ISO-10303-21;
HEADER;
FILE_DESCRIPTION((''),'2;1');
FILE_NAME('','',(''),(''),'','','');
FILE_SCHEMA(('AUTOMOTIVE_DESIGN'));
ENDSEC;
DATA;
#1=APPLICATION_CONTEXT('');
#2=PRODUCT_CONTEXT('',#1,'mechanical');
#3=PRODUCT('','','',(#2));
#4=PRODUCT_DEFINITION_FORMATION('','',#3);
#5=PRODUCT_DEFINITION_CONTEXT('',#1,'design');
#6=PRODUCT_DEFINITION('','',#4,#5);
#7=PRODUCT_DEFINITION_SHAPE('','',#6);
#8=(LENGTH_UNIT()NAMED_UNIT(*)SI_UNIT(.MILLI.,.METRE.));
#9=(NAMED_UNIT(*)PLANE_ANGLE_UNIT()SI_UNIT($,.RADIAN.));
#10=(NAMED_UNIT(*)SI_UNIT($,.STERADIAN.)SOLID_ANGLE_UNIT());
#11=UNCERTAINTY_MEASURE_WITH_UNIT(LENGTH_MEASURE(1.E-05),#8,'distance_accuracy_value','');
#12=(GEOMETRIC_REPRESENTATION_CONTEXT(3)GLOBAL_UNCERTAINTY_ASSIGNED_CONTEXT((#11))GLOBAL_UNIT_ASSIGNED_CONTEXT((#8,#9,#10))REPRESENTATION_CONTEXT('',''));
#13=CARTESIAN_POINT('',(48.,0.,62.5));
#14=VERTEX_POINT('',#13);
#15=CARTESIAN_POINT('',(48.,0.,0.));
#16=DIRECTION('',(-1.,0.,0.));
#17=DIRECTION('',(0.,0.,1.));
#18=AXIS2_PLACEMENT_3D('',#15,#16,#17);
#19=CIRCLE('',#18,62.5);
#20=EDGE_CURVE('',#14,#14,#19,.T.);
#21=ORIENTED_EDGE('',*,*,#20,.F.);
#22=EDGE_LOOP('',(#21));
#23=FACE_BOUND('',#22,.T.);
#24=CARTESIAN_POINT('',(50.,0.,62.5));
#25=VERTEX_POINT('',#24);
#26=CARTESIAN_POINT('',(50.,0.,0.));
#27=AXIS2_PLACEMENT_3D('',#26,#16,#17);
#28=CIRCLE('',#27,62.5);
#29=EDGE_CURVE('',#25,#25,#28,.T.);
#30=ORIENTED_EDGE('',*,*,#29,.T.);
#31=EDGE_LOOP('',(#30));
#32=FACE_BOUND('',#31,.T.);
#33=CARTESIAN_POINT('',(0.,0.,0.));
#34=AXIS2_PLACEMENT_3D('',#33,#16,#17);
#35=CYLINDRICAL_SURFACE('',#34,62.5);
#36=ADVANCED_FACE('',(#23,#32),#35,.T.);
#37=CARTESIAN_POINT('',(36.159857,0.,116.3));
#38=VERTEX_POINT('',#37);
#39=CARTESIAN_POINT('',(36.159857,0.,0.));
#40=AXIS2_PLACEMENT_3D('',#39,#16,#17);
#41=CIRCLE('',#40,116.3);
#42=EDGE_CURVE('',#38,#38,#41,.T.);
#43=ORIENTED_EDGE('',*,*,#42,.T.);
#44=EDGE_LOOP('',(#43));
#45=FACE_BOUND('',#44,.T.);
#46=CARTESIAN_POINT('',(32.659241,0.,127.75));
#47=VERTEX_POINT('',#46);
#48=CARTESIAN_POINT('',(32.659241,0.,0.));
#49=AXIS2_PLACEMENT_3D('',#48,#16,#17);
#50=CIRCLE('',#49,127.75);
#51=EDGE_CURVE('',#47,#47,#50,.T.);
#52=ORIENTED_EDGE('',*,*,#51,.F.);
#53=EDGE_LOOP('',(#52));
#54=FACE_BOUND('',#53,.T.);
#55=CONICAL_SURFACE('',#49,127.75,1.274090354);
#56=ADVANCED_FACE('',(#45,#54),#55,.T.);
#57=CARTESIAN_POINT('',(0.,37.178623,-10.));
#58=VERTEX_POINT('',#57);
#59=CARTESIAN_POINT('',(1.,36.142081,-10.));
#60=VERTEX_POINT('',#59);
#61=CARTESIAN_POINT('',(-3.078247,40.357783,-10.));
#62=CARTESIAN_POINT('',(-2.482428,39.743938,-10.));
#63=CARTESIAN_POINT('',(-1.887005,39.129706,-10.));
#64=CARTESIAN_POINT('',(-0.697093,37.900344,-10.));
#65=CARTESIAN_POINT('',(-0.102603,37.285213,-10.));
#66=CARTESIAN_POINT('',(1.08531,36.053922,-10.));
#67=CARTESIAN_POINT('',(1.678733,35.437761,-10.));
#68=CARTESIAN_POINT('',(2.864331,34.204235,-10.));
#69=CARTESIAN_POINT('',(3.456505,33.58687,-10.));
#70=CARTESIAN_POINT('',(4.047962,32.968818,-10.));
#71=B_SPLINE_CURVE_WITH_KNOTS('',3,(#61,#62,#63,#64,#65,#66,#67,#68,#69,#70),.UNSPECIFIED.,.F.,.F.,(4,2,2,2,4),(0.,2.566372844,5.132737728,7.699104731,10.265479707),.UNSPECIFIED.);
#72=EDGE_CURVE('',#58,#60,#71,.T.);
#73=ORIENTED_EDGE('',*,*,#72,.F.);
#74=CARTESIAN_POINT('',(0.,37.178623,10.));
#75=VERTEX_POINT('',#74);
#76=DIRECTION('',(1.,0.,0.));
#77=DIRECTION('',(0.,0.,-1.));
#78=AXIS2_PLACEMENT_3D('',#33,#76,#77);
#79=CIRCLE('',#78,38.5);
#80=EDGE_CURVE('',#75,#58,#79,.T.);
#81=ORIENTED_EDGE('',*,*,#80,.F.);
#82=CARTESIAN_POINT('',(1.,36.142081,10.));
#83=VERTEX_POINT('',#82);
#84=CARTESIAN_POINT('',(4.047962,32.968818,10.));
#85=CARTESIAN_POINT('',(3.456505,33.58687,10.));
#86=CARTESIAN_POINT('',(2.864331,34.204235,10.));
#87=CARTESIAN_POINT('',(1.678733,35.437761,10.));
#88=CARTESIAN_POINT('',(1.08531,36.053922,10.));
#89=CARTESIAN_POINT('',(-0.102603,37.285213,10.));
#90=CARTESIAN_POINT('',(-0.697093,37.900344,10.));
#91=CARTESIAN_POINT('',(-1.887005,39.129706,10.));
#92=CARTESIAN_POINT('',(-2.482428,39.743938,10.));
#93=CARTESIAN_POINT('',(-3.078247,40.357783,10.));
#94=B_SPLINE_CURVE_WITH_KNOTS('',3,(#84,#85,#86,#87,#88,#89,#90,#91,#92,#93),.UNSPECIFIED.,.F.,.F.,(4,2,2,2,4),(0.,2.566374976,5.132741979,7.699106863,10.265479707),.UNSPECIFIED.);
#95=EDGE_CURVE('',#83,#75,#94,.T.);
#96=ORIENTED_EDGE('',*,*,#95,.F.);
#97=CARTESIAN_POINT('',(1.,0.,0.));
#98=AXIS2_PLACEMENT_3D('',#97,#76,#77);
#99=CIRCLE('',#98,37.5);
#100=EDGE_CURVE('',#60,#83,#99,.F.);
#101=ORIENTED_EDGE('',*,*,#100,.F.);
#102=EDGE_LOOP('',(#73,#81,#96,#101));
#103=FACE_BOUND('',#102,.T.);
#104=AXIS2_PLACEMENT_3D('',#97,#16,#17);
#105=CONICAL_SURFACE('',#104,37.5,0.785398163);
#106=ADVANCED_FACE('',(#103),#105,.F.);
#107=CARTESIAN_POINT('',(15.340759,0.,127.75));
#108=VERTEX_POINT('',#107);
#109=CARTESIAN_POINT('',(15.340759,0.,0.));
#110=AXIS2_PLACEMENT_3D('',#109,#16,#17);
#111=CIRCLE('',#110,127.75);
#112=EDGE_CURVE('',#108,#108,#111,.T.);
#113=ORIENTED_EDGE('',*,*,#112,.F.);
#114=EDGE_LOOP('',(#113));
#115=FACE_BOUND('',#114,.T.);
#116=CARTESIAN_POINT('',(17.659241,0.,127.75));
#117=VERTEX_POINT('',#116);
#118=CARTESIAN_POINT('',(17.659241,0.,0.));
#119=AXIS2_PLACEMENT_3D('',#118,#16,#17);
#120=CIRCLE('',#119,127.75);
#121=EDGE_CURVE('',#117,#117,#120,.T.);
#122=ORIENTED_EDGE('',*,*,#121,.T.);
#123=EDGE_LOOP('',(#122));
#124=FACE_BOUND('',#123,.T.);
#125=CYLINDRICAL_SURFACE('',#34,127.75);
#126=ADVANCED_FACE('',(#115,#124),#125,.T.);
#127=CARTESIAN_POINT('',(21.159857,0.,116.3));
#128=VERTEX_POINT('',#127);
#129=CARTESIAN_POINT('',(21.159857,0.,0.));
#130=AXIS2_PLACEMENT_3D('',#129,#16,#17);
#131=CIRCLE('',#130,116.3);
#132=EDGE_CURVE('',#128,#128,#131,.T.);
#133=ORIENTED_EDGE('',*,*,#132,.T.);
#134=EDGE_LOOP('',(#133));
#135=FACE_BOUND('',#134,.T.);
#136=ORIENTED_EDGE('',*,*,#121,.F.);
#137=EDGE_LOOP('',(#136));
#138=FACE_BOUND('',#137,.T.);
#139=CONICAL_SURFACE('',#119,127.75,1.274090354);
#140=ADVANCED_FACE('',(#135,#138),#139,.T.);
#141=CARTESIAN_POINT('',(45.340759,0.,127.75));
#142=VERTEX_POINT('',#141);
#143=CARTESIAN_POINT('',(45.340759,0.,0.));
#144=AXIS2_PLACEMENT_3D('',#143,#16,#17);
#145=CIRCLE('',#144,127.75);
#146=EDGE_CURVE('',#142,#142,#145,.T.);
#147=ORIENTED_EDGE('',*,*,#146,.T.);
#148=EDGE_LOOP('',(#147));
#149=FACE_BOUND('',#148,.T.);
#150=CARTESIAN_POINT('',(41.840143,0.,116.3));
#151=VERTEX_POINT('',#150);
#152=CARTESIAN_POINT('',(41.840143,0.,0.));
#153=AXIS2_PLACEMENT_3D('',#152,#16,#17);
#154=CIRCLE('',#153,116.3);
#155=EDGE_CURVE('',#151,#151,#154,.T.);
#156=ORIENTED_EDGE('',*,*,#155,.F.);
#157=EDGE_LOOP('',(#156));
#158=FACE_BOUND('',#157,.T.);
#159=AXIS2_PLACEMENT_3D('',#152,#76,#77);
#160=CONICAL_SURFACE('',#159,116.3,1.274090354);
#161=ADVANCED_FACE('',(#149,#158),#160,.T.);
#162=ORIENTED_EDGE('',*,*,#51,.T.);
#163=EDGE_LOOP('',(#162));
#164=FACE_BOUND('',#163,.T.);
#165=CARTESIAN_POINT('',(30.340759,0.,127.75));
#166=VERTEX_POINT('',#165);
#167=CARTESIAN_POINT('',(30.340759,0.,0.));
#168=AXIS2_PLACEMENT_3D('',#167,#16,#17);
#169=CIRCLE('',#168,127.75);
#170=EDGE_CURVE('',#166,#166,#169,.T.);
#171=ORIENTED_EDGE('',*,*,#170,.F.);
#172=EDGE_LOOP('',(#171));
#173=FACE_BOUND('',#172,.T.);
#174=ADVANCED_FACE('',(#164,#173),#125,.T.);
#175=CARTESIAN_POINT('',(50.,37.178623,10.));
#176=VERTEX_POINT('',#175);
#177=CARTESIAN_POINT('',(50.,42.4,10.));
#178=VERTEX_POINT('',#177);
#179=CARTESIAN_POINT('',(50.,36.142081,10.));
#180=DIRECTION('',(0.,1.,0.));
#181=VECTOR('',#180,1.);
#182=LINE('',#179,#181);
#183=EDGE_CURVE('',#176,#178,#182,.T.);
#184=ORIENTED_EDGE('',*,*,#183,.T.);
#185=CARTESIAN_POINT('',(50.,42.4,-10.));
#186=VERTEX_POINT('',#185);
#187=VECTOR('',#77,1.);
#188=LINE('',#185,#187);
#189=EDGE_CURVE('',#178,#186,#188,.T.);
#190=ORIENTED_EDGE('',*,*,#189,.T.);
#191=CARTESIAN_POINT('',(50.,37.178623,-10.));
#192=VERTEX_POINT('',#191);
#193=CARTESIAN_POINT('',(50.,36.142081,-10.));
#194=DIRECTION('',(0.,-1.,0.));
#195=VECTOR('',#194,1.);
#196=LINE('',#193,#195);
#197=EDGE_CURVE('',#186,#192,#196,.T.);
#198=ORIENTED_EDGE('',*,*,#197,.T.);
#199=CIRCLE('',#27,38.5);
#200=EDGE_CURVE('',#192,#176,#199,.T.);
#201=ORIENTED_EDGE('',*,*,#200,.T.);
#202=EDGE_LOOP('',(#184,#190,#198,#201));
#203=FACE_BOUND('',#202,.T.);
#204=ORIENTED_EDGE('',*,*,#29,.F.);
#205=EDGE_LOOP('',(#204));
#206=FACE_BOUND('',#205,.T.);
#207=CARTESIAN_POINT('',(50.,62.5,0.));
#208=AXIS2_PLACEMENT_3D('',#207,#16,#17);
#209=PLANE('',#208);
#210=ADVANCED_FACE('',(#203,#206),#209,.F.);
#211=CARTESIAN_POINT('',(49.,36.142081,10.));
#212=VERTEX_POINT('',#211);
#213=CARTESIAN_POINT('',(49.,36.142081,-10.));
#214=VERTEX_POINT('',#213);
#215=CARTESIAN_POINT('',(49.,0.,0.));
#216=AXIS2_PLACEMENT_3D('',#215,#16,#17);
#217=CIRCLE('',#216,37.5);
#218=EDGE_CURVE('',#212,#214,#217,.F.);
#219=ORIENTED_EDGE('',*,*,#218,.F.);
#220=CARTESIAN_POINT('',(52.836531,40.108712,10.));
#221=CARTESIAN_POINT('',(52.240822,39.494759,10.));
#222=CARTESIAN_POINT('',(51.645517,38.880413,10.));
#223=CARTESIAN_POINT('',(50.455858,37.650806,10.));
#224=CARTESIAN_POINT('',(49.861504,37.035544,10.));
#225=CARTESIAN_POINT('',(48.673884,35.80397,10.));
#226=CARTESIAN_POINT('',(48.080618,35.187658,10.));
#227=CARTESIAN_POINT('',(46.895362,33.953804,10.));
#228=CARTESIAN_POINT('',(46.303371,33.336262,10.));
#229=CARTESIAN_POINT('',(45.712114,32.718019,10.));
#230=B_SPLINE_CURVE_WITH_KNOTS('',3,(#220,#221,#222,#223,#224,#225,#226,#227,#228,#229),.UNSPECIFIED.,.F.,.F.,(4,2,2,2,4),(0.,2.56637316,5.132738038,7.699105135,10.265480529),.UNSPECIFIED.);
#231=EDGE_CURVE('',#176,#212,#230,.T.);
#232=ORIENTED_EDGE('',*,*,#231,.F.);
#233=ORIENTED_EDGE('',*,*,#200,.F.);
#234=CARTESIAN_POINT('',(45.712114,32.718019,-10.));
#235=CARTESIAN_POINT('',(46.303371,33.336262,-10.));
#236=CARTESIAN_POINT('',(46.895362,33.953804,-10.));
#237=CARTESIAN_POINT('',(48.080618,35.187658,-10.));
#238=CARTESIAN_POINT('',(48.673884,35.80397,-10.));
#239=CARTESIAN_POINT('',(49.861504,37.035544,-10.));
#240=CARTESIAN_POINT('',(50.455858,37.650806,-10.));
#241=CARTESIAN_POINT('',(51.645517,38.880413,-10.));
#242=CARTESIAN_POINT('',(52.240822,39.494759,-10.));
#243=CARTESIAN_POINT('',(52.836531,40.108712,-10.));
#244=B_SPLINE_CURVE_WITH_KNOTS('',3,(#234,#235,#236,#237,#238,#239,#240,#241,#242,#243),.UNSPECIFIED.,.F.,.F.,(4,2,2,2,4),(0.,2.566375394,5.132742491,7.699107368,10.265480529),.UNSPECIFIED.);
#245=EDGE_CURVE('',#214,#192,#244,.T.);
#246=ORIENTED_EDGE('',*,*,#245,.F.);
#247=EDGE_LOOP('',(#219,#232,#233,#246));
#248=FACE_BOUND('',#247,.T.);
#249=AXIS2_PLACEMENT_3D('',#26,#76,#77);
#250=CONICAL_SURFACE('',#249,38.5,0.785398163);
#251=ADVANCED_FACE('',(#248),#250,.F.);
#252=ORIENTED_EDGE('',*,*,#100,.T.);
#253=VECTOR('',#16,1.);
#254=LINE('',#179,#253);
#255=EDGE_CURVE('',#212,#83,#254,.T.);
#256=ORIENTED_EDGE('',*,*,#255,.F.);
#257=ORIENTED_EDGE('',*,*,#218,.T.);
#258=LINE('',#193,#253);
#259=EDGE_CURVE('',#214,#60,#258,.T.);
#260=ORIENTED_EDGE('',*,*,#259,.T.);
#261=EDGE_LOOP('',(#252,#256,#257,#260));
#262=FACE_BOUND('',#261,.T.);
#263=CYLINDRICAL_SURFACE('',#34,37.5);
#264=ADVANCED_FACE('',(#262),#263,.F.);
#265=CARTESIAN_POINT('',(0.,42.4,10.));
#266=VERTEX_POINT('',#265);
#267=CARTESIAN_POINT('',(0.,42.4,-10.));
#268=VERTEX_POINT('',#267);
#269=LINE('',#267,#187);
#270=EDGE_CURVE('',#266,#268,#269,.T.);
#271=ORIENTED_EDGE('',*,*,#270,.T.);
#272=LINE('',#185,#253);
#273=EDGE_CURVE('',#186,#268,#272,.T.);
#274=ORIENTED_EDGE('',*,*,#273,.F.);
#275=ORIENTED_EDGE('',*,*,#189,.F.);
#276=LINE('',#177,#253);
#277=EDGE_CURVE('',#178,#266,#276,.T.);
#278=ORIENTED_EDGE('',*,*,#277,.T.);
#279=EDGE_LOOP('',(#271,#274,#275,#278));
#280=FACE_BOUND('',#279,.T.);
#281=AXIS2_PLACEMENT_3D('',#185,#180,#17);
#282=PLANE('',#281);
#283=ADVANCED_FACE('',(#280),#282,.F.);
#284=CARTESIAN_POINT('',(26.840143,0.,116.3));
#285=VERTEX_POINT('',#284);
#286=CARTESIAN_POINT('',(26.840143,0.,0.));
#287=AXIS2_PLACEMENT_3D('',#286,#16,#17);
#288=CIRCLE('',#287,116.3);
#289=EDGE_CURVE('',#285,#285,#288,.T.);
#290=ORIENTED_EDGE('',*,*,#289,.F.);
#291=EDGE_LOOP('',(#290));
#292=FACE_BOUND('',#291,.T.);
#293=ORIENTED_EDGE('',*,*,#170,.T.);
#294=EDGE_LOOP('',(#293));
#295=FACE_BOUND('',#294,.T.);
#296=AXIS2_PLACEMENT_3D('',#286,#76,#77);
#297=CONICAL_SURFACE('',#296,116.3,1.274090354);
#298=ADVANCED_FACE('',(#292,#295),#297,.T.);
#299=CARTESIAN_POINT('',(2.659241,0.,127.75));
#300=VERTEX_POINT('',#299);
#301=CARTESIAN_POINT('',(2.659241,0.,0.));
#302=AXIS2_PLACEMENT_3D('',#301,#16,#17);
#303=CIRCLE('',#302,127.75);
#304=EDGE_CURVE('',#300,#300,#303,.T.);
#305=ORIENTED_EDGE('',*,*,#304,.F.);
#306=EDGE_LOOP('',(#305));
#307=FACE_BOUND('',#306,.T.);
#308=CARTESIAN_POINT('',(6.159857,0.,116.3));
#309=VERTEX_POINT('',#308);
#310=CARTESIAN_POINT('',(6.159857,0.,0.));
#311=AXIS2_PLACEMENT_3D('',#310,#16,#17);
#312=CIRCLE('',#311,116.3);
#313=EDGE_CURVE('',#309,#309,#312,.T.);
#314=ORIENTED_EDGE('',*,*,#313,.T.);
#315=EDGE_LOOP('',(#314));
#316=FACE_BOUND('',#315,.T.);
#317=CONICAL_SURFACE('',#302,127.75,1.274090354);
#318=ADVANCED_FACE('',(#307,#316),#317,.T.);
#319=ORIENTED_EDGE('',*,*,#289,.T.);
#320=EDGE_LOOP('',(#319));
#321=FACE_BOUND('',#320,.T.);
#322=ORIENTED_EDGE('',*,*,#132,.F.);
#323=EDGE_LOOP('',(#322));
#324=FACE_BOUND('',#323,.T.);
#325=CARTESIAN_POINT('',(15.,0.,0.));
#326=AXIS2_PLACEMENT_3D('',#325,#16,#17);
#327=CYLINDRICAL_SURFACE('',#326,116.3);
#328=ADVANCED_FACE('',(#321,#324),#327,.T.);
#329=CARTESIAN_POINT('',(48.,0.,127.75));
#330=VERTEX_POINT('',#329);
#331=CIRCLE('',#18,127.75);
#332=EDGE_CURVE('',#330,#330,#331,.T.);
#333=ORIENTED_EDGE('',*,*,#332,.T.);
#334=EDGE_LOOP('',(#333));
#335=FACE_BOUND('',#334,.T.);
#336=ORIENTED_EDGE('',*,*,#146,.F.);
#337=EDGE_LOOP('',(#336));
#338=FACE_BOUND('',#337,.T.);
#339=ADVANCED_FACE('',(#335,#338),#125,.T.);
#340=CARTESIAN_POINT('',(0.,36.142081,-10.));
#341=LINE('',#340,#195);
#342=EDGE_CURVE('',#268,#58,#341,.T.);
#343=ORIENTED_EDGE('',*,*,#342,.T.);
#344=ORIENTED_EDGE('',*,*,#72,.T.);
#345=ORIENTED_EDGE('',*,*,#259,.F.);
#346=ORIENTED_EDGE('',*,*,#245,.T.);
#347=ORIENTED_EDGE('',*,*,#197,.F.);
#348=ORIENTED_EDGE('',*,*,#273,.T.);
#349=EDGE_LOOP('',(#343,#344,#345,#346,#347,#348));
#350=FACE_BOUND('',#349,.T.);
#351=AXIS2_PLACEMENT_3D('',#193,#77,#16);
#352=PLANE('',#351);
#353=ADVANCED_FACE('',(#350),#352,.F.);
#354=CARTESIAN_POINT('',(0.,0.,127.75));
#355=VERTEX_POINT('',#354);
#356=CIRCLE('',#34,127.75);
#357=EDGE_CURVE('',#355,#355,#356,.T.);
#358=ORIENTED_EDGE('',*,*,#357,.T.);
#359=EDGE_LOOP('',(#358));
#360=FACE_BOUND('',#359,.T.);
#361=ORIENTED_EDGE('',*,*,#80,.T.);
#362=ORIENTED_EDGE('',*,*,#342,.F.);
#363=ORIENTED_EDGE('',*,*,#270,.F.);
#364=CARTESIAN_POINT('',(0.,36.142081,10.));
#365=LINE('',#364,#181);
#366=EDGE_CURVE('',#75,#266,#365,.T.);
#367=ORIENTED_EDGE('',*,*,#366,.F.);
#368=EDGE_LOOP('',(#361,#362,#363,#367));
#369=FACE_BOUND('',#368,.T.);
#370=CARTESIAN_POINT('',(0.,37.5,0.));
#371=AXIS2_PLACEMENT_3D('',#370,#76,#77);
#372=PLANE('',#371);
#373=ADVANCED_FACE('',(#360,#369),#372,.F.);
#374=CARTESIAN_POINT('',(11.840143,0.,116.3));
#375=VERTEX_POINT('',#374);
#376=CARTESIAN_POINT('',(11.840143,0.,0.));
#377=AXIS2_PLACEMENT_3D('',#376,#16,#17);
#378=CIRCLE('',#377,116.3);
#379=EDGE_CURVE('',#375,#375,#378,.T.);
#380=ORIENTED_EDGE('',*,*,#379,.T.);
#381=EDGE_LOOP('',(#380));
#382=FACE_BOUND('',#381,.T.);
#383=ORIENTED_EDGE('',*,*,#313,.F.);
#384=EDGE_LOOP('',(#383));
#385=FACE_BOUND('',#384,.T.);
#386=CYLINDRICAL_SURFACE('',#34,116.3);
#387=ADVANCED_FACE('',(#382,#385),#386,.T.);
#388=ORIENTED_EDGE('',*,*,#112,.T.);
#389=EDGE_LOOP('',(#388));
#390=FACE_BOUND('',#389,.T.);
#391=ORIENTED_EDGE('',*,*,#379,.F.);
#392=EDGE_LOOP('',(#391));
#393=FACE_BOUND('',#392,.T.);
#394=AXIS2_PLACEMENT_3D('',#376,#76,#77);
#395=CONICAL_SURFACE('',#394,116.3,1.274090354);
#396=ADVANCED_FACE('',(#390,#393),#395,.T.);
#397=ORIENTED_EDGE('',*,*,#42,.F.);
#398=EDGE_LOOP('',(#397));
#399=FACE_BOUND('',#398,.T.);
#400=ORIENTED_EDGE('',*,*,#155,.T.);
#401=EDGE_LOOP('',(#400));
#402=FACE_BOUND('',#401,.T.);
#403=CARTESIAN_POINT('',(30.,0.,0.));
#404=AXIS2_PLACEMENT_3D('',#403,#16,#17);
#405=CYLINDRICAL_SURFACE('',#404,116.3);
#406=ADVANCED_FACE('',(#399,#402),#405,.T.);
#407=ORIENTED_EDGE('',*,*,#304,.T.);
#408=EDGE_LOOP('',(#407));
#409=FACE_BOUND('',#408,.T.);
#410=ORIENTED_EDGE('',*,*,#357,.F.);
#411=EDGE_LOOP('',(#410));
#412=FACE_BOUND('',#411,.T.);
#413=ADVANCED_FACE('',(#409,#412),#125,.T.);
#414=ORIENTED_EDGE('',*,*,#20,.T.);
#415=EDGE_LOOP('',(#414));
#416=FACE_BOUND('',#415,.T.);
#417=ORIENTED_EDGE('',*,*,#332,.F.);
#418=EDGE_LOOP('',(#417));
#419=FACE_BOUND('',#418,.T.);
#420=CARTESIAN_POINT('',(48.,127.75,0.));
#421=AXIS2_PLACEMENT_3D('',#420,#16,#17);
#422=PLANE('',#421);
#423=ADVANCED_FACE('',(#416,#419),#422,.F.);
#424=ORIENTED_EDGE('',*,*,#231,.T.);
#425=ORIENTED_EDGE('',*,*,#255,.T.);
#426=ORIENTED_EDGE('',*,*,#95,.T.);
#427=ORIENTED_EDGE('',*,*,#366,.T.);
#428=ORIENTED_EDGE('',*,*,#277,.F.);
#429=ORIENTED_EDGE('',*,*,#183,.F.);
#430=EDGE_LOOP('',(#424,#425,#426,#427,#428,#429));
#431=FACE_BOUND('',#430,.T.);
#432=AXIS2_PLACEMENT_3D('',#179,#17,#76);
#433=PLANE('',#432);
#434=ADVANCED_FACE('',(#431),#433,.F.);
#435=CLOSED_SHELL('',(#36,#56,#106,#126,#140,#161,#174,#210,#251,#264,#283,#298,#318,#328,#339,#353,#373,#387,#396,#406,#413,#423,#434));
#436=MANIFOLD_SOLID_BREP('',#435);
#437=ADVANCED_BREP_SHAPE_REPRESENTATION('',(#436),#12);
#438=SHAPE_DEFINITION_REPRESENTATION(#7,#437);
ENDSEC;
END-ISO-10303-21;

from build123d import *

# Parameters (mm, degrees)
PATTERN_LINEAR_1_COUNT = 3
PATTERN_LINEAR_1_PITCH = 15
CHAMFER_1_SIZE         = 1
SKETCH_4_W             = 20
SKETCH_4_H             = 6.257919263
CUT_EXTRUDE_1_DEPTH    = 188.456995068


with BuildPart() as part:
    # 草图1 → 旋转1 (revolve)
    with BuildSketch(Plane.XY, mode=Mode.PRIVATE) as revolve_1_sk:
        Polygon((0, 37.5), (0, 127.75), (48, 127.75), (48, 62.5), (50, 62.5), (50, 37.5), align=None)
    revolve(revolve_1_sk.sketch.rotate(Axis((0, 0, 0), (1, 0, 0)), 90), axis=Axis((0, 0, 0), (1, 0, 0)))

    # 草图2 → 切除-旋转1 (revolve, cut)
    with BuildSketch(Plane.XY, mode=Mode.PRIVATE) as cut_revolve_1_sk:
        Polygon((11.840143071, 116.3), (15.340759374, 127.75), (2.659240626, 127.75), (6.159856929, 116.3), align=None)
    cut_revolve_1 = revolve(cut_revolve_1_sk.sketch.rotate(Axis((0, 0, 0), (1, 0, 0)), 90), axis=Axis((0, 0, 0), (1, 0, 0)), mode=Mode.SUBTRACT)

    # 阵列(线性)1: 切除-旋转1 ×3
    with Locations(*[(i * PATTERN_LINEAR_1_PITCH, 0, 0) for i in range(1, PATTERN_LINEAR_1_COUNT)]):
        add(cut_revolve_1, mode=Mode.SUBTRACT)

    # 倒角1
    chamfer_1_edges = [part.edges().sort_by_distance(p)[0] for p in [
        (50, 0, -37.5),
        (0, 0, -37.5),
    ]]
    chamfer(chamfer_1_edges, length=CHAMFER_1_SIZE)

    # 草图4 → 切除-拉伸1 (cut, through all)
    with BuildSketch(Plane.ZY):
        with Locations((0, 39.271040369)):
            Rectangle(SKETCH_4_W, SKETCH_4_H)
    extrude(amount=-CUT_EXTRUDE_1_DEPTH, mode=Mode.SUBTRACT)


solid = part.part
